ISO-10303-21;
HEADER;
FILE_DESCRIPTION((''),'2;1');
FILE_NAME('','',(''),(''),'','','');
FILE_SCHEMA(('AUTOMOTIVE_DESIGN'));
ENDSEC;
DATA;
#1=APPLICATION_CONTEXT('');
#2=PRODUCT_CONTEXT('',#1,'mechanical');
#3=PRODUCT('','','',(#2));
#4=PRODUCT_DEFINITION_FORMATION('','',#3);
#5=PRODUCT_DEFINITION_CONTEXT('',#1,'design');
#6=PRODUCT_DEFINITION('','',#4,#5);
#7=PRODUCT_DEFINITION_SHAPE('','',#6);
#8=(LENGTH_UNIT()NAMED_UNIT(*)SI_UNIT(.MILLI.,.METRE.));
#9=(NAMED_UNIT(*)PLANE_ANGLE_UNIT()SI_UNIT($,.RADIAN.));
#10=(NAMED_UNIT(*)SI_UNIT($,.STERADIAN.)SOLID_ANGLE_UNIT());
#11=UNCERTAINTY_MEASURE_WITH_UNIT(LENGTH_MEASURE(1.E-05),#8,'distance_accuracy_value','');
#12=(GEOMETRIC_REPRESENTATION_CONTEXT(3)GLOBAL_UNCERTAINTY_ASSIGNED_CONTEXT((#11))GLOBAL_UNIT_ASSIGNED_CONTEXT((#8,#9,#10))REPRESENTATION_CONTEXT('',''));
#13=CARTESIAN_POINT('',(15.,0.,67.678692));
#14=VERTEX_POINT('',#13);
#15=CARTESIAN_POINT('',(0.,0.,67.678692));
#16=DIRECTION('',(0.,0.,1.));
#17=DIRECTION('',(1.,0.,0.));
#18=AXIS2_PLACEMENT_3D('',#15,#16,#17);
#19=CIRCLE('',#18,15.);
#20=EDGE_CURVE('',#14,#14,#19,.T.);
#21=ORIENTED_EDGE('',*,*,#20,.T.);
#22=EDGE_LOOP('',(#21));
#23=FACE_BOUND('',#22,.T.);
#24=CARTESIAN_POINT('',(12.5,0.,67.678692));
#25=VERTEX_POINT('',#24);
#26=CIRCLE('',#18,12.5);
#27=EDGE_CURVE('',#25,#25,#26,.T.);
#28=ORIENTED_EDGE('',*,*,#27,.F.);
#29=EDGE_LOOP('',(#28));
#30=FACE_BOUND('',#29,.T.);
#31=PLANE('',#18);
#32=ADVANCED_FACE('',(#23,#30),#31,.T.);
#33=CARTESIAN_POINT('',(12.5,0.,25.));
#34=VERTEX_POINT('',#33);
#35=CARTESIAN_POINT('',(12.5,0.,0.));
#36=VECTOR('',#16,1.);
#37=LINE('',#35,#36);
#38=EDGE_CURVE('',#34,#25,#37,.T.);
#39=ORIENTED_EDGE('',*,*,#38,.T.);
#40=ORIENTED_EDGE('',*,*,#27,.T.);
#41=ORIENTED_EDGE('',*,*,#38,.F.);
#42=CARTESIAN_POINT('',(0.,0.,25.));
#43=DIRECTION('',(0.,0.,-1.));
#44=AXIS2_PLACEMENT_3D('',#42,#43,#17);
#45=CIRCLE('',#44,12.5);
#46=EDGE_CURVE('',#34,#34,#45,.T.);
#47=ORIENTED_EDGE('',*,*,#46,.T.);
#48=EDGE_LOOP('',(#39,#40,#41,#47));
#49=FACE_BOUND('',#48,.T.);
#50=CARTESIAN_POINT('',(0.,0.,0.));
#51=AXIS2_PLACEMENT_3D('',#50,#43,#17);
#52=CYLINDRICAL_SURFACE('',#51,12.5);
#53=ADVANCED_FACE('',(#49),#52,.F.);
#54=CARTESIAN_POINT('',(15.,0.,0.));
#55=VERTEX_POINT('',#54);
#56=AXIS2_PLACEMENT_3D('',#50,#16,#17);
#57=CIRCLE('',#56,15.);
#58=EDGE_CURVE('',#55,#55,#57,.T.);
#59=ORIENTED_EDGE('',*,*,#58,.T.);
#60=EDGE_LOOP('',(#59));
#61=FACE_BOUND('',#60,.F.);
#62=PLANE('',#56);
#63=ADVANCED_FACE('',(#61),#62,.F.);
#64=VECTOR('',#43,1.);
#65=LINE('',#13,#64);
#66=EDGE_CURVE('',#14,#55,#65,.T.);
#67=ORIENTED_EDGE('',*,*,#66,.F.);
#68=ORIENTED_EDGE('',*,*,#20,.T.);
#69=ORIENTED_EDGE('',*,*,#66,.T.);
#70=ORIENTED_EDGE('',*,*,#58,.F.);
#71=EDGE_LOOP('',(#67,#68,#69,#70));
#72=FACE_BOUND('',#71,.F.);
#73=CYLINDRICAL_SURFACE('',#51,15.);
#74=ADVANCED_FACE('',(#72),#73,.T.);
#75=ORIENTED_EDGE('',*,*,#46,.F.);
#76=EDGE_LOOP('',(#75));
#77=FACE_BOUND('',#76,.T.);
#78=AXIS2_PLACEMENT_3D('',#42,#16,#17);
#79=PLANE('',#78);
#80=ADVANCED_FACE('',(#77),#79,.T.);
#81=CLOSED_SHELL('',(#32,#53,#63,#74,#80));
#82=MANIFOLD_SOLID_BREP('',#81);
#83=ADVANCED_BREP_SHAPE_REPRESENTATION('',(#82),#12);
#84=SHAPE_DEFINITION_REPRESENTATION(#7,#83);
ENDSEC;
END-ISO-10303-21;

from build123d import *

# Parameters (mm, degrees)
F1_R     = 15
F2_DEPTH = 67.678692
F3_T     = -2.5
F0_R     = 15
F4_DEPTH = 25


with BuildPart() as f2:
    # F1 (on face) → F2 (new body)
    with BuildSketch(Plane.XY):
        Circle(F1_R)
    extrude(amount=F2_DEPTH)

    # F3
    f3_openings = [f2.faces().sort_by_distance(p)[0] for p in [
        (0, 0, 67.678692),
    ]]
    offset(amount=F3_T, openings=f3_openings)

    # F0 (on Top) → F4 (join)
    with BuildSketch(Plane.XY):
        Circle(F0_R)
    extrude(amount=F4_DEPTH)


solid = f2.part
